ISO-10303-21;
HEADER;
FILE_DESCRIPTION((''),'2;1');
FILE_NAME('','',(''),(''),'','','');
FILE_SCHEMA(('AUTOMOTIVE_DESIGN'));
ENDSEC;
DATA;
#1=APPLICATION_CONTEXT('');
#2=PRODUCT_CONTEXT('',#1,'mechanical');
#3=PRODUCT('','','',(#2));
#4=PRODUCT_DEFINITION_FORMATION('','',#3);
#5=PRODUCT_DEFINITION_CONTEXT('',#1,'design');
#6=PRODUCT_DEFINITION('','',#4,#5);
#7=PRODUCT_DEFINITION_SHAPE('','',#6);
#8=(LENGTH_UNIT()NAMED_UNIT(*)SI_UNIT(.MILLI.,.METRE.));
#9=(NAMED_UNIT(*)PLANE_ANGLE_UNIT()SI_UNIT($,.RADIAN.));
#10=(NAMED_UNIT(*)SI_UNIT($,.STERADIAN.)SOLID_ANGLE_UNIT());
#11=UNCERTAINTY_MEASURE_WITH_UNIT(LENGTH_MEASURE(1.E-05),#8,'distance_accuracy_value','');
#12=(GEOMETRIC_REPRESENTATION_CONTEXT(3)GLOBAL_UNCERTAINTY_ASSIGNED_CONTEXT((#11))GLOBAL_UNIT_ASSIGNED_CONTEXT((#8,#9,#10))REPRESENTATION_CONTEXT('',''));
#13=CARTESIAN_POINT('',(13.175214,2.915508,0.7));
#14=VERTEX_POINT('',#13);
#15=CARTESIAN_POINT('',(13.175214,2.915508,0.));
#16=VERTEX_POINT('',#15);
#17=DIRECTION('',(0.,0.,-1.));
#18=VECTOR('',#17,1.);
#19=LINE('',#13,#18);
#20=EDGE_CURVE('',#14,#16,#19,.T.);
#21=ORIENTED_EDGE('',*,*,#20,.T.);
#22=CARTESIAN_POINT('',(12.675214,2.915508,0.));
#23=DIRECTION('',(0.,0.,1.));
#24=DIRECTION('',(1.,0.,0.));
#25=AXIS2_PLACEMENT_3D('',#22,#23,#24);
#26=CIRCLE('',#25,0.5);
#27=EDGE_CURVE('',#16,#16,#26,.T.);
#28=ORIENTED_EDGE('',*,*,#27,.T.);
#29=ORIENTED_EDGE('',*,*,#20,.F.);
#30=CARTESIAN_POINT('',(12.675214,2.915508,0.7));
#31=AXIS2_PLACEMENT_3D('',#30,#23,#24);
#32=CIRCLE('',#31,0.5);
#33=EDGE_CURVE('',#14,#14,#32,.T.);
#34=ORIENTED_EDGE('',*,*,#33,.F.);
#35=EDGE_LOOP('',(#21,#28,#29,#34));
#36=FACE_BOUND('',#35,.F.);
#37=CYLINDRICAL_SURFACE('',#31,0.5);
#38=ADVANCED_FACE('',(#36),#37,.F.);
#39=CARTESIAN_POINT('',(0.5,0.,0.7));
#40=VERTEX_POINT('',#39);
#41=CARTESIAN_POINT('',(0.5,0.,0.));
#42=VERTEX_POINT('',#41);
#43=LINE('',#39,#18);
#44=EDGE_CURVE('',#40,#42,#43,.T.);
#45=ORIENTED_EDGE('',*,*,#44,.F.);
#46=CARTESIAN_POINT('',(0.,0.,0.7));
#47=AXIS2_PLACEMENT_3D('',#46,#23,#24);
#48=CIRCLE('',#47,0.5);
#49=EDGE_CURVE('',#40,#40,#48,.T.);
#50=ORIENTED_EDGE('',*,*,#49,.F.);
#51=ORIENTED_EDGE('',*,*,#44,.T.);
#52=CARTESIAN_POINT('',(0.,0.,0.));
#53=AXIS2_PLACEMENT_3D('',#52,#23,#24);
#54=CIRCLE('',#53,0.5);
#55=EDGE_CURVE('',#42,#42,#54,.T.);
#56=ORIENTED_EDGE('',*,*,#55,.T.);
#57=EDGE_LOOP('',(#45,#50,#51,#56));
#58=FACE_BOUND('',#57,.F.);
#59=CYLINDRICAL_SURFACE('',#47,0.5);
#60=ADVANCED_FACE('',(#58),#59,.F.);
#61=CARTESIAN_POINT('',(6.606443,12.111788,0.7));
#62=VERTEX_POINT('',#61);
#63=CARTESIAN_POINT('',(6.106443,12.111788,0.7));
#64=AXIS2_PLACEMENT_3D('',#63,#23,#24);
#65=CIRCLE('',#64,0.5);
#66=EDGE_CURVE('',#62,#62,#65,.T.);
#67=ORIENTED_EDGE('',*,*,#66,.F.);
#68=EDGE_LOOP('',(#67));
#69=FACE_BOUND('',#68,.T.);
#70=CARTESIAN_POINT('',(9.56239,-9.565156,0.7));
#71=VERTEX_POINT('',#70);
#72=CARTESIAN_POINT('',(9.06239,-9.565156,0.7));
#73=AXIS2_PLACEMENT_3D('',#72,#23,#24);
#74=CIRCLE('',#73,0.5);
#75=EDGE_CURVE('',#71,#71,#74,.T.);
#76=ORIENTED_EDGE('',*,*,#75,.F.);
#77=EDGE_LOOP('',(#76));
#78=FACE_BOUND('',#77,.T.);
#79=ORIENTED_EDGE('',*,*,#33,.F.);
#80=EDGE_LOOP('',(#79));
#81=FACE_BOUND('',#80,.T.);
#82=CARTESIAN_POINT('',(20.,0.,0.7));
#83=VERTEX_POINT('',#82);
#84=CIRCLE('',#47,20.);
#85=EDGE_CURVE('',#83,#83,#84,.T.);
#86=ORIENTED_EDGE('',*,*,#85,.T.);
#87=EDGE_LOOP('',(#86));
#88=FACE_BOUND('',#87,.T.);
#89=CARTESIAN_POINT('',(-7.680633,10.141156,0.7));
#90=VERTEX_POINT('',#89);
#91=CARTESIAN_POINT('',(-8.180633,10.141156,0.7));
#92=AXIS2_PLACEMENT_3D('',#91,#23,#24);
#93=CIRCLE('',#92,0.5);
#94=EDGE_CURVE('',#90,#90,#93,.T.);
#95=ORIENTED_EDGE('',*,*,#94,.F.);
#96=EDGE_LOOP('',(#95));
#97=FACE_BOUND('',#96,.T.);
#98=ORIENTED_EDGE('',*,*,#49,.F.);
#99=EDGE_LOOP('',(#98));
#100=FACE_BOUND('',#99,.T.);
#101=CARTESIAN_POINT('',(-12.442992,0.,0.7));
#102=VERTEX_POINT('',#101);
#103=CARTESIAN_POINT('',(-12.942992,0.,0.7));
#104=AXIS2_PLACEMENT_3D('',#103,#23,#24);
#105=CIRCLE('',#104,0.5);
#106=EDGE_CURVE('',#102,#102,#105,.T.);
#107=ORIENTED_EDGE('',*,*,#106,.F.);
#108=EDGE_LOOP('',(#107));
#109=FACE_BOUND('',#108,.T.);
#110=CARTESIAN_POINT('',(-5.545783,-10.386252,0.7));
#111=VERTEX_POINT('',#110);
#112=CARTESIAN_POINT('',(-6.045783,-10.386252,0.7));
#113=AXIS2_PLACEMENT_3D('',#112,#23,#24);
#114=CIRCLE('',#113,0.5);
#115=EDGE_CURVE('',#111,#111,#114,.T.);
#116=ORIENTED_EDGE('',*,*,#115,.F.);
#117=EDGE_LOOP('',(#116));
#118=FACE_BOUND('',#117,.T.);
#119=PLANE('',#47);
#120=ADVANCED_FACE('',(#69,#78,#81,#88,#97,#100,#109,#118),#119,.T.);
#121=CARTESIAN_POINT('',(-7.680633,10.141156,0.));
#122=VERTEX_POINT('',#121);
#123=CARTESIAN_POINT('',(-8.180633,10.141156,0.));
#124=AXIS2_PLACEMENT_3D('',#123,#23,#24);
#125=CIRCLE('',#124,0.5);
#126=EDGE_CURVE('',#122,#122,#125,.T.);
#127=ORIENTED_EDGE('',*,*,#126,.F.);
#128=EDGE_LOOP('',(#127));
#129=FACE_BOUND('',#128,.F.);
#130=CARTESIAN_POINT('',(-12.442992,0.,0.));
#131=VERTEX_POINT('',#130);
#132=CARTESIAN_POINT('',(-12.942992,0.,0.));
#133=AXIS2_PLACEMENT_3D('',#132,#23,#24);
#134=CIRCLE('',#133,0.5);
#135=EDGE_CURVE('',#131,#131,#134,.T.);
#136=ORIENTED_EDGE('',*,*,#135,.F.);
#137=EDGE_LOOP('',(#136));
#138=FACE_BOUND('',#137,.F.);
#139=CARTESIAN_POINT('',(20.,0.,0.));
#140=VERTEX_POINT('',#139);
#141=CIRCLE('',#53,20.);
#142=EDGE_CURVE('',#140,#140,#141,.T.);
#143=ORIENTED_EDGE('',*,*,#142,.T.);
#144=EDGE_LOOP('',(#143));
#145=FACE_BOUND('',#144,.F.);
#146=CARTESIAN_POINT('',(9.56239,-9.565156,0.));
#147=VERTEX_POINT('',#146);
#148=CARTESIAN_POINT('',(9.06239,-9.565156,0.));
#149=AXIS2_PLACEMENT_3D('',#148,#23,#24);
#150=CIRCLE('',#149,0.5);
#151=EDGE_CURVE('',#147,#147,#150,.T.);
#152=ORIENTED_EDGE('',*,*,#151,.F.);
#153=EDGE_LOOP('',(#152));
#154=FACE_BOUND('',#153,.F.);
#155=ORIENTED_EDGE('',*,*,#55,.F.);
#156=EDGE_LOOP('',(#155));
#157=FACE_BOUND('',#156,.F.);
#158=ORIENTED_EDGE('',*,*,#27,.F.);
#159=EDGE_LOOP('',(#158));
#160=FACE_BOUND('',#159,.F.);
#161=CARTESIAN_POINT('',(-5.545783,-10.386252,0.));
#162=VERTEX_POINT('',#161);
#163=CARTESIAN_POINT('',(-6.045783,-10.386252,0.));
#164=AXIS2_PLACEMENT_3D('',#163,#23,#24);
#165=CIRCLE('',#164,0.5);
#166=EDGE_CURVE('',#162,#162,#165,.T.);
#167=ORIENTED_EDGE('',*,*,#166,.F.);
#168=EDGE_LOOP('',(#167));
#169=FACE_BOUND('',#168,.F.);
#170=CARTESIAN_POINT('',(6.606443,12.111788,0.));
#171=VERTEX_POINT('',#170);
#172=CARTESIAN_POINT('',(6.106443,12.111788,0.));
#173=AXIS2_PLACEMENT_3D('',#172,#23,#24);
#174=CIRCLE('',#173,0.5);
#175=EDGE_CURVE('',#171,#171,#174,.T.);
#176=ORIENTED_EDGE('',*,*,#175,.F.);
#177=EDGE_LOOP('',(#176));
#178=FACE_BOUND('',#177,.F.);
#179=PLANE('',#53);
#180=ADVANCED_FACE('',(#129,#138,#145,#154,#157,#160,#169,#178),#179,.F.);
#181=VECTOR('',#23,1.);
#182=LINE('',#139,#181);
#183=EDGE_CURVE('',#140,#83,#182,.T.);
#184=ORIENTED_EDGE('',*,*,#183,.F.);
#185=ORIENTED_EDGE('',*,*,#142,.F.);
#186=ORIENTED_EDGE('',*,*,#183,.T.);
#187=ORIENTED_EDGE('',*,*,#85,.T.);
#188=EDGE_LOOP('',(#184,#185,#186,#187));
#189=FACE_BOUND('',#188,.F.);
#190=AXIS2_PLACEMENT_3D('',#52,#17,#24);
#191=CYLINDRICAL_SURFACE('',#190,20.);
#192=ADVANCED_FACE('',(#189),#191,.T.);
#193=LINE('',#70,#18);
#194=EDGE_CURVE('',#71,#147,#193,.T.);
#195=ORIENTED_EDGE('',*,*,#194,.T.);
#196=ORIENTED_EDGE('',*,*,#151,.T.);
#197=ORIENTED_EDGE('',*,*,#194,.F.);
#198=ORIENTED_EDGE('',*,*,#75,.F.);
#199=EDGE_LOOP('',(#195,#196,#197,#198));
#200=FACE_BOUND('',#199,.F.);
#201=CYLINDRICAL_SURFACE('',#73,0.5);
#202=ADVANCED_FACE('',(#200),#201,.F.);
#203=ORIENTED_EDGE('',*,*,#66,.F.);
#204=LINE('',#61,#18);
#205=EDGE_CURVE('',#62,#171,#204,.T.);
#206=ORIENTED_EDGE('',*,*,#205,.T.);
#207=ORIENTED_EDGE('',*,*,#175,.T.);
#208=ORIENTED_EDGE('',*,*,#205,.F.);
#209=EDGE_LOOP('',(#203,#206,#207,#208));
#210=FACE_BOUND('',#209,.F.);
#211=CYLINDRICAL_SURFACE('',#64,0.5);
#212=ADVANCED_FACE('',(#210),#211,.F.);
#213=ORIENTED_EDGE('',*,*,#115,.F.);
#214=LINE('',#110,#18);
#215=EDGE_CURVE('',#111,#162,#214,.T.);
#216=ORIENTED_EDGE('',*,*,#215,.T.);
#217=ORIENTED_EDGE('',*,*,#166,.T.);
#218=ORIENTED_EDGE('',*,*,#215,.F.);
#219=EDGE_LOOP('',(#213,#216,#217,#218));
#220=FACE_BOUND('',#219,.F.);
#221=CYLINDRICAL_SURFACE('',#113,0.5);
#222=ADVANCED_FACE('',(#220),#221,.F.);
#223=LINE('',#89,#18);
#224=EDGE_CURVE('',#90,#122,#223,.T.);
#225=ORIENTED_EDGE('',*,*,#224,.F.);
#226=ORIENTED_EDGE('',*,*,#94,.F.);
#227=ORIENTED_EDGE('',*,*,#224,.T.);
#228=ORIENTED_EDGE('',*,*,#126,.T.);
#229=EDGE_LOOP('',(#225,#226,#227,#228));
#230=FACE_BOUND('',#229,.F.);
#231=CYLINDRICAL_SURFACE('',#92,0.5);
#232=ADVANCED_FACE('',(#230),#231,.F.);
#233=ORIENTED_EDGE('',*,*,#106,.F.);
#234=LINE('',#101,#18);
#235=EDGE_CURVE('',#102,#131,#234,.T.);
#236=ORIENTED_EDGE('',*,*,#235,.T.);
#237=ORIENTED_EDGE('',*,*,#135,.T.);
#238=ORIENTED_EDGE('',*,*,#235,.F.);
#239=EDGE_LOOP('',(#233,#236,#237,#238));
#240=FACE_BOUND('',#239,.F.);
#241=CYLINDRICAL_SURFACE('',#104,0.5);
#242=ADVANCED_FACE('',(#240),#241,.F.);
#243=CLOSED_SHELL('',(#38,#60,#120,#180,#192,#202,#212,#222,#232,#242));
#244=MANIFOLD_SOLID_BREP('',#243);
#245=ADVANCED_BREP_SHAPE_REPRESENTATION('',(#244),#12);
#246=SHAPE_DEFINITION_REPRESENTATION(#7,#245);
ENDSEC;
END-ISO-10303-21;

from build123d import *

# Parameters (mm, degrees)
F0_R     = 20
F1_DEPTH = 0.7
F2_R     = 0.5
F3_DEPTH = 0.7


with BuildPart() as f1:
    # F0 (on Top) → F1 (new body)
    with BuildSketch(Plane.XY):
        Circle(F0_R)
    extrude(amount=F1_DEPTH)

    # F2 (on face) → F3 (cut)
    with BuildSketch(Plane.XY.offset(0.7)):
        with Locations((-12.942992, 0)):
            Circle(F2_R)
        with Locations((12.675214, 2.915508)):
            Circle(F2_R)
        with Locations((9.06239, -9.565156)):
            Circle(F2_R)
        Circle(F2_R)
        with Locations((-8.180633, 10.141156)):
            Circle(F2_R)
        with Locations((-6.045783, -10.386252)):
            Circle(F2_R)
        with Locations((6.106443, 12.111788)):
            Circle(F2_R)
    extrude(amount=-F3_DEPTH, mode=Mode.SUBTRACT)


solid = f1.part
